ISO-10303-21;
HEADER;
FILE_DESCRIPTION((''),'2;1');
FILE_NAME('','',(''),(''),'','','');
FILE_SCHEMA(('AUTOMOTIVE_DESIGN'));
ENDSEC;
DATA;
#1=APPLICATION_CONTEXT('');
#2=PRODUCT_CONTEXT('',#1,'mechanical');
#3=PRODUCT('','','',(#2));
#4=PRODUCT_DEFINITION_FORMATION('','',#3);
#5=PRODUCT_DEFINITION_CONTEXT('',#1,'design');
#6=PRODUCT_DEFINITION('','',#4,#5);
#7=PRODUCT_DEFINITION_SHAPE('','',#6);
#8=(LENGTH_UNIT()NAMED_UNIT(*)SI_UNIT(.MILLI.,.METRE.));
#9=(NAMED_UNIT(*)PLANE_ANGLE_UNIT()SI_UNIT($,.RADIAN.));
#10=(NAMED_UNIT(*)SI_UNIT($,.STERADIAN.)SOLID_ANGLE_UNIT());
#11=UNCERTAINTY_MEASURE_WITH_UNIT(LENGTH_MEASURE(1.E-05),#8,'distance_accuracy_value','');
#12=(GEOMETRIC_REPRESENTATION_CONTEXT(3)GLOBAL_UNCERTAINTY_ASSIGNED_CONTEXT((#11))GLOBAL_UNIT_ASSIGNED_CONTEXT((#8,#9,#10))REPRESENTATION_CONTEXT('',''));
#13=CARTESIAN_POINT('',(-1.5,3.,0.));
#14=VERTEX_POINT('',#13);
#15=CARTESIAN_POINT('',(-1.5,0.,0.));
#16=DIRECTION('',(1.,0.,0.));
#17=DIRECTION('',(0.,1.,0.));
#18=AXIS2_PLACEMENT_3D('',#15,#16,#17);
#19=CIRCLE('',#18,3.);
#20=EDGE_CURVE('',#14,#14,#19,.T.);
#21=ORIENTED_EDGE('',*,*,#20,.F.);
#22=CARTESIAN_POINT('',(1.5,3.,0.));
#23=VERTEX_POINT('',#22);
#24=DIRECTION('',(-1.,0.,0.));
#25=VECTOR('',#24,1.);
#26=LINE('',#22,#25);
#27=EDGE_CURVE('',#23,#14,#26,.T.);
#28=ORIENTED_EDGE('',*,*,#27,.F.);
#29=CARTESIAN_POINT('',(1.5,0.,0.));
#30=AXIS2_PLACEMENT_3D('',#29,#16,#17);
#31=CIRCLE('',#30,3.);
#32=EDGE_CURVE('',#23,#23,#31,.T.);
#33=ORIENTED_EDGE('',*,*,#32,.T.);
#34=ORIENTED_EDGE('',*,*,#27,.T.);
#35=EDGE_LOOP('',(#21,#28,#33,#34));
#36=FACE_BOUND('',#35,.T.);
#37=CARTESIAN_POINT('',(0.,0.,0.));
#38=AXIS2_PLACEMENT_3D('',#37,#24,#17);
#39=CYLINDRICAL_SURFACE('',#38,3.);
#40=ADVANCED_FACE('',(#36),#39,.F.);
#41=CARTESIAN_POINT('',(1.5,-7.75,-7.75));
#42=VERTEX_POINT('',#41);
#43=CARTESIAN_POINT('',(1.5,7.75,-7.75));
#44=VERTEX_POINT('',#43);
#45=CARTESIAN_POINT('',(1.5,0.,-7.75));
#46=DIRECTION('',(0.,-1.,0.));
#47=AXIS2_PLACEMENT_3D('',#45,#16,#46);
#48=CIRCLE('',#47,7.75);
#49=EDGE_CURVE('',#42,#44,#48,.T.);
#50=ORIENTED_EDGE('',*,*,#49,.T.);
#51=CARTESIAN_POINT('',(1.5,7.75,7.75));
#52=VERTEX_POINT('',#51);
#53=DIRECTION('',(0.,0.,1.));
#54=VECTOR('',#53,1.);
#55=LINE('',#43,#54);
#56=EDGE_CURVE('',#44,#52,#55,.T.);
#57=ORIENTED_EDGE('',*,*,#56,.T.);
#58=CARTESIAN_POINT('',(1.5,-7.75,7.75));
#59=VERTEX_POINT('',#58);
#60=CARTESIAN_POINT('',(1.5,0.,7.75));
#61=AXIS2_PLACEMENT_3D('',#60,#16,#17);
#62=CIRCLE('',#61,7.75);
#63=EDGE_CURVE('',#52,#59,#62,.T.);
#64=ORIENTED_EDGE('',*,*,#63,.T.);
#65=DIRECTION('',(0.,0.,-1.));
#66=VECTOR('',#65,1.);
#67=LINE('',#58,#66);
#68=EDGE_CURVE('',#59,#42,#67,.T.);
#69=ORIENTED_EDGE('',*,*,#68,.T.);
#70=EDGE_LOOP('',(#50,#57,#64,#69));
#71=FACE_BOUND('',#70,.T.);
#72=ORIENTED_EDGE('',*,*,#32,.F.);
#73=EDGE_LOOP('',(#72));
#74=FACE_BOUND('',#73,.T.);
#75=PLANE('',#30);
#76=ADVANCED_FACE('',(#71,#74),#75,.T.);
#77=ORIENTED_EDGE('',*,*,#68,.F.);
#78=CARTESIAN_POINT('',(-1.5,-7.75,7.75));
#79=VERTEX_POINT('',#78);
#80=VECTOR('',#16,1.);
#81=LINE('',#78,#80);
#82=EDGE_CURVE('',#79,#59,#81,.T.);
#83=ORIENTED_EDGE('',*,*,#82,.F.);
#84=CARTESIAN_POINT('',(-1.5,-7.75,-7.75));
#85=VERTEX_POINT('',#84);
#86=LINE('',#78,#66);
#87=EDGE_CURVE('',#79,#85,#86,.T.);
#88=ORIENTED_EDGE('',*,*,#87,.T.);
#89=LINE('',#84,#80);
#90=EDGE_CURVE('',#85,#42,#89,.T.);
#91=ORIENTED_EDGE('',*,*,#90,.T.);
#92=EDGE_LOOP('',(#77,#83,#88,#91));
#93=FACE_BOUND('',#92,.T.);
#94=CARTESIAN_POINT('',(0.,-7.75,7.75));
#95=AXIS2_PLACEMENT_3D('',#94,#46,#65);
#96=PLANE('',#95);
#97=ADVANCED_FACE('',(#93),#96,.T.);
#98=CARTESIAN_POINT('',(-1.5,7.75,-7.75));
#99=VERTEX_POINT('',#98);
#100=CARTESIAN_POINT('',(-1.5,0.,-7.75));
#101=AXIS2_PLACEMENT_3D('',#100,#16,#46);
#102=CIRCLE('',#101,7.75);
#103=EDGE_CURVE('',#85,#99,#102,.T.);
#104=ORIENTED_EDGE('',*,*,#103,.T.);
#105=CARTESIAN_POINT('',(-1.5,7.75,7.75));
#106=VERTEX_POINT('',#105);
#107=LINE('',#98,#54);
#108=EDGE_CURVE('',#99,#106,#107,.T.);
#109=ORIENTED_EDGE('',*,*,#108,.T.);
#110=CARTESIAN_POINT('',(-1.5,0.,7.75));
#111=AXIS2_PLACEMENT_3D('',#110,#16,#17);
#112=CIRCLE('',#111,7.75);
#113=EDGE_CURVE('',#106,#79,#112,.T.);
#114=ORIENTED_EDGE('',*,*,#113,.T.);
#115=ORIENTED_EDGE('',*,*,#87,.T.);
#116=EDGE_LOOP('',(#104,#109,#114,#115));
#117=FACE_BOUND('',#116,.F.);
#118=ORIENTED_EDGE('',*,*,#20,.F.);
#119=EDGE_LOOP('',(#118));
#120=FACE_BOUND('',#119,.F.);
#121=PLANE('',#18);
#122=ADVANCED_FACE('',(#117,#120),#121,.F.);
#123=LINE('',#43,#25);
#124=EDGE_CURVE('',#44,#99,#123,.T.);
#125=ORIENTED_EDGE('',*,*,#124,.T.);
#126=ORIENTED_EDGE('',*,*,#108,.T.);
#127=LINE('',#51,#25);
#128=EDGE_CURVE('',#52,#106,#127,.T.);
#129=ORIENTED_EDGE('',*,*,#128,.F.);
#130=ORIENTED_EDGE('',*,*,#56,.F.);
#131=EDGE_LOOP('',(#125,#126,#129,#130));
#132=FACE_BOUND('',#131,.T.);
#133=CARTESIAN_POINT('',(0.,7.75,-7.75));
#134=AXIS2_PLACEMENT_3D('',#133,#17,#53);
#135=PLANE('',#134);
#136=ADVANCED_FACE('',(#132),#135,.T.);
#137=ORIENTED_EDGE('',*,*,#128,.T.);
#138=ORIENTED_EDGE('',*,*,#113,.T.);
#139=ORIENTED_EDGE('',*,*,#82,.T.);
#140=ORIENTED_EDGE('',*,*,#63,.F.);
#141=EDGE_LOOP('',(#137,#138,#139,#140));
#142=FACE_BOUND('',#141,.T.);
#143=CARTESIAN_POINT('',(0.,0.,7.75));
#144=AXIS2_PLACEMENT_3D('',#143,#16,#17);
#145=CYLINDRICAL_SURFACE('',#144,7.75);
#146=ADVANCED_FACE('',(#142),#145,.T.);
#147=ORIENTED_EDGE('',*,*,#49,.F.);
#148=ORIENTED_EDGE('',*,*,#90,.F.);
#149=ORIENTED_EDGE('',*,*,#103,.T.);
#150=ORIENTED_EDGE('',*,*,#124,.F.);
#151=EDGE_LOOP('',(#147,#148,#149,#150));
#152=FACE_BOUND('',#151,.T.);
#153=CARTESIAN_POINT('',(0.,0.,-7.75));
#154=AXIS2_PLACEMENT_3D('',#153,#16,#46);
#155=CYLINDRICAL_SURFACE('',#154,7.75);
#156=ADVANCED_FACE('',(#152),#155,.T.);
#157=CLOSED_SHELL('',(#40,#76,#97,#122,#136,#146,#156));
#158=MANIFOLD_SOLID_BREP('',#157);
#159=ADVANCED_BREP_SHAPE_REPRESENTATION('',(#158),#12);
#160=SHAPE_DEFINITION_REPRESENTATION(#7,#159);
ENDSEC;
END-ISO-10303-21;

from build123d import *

# Parameters (mm, degrees)
F0_R     = 3
F1_DEPTH = 1.5


with BuildPart() as f1:
    # F0 (on Right) → F1 (new body, symmetric)
    with BuildSketch(Plane.YZ):
        with BuildLine():
            ThreePointArc((7.75, 7.75), (0, 15.5), (-7.75, 7.75))
            Line((-7.75, 7.75), (-7.75, 0))
            Line((-7.75, 0), (-7.75, -7.75))
            ThreePointArc((-7.75, -7.75), (0, -15.5), (7.75, -7.75))
            Line((7.75, -7.75), (7.75, 0))
            Line((7.75, 0), (7.75, 7.75))
        make_face()
        Circle(F0_R, mode=Mode.SUBTRACT)
    extrude(amount=F1_DEPTH, both=True)


solid = f1.part
